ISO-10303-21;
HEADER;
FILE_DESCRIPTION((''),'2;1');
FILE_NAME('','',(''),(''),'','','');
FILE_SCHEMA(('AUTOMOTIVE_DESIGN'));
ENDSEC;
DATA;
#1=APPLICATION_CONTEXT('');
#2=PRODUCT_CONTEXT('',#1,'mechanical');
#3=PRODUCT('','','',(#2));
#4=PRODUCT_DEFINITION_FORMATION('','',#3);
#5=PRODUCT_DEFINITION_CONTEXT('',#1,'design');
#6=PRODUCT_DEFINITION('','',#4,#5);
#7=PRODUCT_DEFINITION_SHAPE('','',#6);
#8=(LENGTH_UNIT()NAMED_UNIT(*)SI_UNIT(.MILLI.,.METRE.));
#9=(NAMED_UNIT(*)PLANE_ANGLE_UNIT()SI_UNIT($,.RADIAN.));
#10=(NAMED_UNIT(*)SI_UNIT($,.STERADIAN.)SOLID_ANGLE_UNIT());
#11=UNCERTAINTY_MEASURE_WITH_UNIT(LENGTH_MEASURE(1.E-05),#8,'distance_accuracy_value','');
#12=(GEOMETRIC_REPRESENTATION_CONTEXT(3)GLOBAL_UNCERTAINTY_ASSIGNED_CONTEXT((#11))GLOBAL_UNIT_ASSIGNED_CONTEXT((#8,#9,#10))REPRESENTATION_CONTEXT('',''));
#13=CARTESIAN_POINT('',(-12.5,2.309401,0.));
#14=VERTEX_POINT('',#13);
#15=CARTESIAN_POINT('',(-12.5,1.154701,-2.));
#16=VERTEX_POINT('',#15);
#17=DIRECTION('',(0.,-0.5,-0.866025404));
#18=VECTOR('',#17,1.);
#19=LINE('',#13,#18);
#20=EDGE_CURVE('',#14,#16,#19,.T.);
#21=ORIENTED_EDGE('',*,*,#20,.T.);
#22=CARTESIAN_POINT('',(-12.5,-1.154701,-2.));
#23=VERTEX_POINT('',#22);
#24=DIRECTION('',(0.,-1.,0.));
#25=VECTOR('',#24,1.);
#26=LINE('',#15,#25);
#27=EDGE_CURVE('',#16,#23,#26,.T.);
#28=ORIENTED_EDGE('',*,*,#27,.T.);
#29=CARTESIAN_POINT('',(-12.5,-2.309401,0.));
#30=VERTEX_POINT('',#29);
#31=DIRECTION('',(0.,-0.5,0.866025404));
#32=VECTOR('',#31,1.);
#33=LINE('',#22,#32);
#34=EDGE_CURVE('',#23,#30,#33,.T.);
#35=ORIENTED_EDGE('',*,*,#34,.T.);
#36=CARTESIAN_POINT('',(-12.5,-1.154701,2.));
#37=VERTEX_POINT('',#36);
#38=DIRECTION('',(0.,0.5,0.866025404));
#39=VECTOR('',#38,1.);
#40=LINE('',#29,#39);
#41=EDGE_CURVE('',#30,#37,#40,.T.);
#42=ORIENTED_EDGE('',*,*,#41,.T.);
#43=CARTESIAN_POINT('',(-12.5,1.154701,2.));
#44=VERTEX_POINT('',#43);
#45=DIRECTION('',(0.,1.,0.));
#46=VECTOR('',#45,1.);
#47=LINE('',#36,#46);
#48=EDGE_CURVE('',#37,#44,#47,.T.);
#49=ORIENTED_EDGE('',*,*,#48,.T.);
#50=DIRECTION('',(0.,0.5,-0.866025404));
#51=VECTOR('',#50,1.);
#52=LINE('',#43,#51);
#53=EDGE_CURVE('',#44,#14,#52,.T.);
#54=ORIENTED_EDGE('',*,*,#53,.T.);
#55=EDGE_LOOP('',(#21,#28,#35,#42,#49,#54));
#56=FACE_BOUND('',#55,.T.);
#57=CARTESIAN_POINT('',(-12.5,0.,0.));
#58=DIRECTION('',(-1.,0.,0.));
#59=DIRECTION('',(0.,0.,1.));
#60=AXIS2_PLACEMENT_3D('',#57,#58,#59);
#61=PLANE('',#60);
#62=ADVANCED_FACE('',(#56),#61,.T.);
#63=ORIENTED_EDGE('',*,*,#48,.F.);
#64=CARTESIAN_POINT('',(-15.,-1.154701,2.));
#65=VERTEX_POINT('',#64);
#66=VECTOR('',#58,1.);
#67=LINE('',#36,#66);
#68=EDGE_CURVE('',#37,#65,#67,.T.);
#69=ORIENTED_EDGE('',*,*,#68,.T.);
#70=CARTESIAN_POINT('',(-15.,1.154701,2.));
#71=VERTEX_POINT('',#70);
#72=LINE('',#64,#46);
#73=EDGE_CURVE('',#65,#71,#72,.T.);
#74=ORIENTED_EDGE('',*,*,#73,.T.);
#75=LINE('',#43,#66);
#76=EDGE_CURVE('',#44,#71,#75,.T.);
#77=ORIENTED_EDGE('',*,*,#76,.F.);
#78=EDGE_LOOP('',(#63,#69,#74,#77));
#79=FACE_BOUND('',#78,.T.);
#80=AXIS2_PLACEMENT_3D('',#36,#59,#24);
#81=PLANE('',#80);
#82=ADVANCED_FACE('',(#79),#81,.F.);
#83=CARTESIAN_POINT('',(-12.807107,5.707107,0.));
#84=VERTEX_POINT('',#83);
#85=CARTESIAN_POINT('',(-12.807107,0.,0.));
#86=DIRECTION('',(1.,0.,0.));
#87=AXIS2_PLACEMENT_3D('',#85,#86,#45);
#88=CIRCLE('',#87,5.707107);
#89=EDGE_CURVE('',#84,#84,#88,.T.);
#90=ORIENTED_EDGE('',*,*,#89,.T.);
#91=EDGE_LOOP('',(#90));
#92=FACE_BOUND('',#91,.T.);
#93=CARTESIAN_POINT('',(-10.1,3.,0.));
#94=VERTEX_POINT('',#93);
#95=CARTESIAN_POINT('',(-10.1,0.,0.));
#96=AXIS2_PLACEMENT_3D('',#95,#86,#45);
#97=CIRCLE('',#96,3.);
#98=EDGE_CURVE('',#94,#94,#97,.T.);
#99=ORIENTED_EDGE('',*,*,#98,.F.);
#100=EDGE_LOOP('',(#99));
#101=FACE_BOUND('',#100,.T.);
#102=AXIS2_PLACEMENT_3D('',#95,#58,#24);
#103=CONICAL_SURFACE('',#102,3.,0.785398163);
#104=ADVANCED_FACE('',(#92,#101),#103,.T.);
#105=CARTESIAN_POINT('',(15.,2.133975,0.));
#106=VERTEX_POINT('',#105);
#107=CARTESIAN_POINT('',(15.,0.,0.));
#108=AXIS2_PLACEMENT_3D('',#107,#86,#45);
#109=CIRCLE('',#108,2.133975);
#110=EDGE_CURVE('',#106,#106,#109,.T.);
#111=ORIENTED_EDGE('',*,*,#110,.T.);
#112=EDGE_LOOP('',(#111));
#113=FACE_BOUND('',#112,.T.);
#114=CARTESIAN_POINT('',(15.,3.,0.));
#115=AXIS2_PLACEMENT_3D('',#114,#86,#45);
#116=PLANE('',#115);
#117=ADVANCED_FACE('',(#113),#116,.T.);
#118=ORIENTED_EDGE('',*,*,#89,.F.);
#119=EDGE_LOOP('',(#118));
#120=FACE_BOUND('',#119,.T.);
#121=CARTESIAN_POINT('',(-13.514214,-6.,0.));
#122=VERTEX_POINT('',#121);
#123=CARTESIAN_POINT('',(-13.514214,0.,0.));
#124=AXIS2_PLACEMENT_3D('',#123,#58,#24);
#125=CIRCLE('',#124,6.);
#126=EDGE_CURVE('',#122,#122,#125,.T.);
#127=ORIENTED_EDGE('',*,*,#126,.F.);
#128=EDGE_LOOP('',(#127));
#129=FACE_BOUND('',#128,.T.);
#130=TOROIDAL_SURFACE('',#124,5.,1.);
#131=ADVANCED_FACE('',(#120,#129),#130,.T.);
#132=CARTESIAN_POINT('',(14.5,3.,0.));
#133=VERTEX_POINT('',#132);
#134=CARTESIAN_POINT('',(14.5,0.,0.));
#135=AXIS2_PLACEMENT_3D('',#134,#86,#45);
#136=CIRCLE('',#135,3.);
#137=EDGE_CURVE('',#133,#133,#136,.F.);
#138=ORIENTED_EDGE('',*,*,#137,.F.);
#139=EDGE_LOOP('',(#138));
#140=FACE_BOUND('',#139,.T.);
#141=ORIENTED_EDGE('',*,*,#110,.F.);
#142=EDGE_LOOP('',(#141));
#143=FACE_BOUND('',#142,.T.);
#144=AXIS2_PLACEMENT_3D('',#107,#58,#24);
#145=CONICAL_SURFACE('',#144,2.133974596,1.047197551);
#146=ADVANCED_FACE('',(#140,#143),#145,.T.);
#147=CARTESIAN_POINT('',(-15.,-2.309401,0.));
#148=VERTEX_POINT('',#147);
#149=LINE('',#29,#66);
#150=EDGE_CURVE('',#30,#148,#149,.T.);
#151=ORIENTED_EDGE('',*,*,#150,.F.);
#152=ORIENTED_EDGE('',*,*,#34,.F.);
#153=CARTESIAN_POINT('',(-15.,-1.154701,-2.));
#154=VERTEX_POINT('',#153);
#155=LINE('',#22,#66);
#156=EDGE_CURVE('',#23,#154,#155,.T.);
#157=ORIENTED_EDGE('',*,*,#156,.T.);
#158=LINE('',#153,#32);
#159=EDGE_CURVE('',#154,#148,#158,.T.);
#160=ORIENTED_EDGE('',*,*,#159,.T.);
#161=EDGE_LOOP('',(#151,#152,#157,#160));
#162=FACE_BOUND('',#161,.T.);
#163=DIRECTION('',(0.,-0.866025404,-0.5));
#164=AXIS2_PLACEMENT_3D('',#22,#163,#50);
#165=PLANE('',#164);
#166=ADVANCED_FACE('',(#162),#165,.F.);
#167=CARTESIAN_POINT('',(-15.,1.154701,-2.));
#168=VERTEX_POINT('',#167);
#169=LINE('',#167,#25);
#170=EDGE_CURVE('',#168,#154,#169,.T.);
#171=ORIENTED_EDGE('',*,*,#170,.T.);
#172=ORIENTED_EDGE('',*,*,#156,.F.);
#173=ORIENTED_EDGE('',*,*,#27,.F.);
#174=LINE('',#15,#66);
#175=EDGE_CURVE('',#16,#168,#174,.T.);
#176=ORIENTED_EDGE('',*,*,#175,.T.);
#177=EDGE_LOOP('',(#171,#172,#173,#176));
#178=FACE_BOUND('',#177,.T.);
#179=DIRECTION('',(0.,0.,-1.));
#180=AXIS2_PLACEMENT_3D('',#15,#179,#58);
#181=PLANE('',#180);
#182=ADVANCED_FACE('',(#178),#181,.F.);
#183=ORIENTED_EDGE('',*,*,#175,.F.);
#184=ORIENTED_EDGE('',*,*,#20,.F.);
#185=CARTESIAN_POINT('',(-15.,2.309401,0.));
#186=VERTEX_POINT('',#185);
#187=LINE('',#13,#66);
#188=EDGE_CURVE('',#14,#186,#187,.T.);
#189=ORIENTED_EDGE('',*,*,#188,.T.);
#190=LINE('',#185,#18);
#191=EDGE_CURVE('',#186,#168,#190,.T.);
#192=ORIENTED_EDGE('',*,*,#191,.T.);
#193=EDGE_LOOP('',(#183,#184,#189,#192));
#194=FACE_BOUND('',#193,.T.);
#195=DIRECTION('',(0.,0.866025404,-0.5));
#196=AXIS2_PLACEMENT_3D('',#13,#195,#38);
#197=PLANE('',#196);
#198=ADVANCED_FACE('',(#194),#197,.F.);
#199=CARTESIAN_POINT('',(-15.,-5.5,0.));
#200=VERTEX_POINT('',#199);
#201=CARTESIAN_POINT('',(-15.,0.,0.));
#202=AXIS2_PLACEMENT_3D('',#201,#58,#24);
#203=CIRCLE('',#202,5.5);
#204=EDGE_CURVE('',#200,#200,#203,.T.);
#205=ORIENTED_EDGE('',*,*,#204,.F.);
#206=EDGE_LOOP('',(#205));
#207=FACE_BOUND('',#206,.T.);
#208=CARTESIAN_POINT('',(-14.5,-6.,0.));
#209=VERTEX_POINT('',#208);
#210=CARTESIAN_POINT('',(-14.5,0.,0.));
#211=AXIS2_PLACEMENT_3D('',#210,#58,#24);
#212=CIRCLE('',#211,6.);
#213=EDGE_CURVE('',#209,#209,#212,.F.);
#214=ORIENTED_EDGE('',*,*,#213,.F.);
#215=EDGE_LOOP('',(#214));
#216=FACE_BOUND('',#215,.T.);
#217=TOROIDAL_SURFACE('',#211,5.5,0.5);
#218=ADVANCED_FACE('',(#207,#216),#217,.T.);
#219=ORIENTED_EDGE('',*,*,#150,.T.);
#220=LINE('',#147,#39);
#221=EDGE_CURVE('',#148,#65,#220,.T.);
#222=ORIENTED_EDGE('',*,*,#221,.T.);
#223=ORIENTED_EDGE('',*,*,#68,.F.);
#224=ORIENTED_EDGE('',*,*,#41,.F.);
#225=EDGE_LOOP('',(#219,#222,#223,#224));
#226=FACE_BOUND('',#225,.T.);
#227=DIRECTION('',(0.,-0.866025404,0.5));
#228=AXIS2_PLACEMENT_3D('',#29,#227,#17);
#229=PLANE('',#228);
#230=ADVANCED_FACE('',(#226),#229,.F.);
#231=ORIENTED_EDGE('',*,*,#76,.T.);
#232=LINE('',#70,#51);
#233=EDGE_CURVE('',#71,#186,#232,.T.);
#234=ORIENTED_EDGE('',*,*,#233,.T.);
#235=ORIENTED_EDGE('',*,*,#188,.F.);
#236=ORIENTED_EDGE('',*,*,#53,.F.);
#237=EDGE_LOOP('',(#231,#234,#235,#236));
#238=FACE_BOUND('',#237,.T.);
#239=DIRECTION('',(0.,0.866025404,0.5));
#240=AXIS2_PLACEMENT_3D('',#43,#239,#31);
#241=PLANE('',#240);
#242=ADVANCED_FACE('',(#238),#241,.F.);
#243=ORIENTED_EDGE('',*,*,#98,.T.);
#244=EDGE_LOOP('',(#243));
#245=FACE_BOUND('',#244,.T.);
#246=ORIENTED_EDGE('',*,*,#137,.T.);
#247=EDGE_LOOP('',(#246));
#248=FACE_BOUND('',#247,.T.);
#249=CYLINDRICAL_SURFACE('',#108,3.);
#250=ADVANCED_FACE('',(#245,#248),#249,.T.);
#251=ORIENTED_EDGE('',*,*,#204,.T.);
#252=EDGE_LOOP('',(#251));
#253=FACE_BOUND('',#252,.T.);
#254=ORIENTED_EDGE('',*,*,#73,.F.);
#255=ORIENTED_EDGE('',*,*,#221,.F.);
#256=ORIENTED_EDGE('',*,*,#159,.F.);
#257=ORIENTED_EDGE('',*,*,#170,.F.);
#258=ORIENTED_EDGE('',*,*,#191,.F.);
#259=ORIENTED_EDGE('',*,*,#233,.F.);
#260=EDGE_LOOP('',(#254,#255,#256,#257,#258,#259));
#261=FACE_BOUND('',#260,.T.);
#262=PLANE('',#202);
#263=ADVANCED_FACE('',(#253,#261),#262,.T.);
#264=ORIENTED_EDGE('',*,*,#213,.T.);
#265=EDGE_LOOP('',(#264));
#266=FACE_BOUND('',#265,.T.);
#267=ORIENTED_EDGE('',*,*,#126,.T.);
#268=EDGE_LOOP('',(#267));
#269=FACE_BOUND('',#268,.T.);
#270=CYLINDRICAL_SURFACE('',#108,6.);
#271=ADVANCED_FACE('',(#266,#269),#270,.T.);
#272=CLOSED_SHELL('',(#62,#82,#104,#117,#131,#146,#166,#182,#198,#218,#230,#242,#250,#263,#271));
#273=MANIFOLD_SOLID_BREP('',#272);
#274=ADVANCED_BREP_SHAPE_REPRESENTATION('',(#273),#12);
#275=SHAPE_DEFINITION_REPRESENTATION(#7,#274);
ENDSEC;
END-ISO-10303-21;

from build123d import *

# Parameters (mm, degrees)
FILLET_1_R          = 0.5
FILLET_2_R          = 1
CUT_EXTRUDE_1_DEPTH = 2.5
CHAMFER_1_SIZE      = 0.5
CHAMFER_1_SIZE2     = 0.866025404


with BuildPart() as part:
    # 草图1 → 旋转1 (revolve)
    with BuildSketch(Plane.XY):
        Polygon((15, 0), (-15, 0), (-15, 6), (-13.1, 6), (-10.1, 3), (15, 3), align=None)
    revolve(axis=Axis((15, 0, 0), (-1, 0, 0)))

    # 圆角1
    fillet_1_edges = [part.edges().sort_by_distance(p)[0] for p in [
        (-15, -6, 0),
    ]]
    fillet(fillet_1_edges, radius=FILLET_1_R)

    # 圆角2
    fillet_2_edges = [part.edges().sort_by_distance(p)[0] for p in [
        (-13.1, -6, 0),
    ]]
    fillet(fillet_2_edges, radius=FILLET_2_R)

    # 草图2 → 切除-拉伸1 (cut)
    with BuildSketch(Plane.ZY.offset(15)):
        Polygon((0, 2.309401077), (-2, 1.154700538), (-2, -1.154700538), (0, -2.309401077), (2, -1.154700538), (2, 1.154700538), align=None)
    extrude(amount=-CUT_EXTRUDE_1_DEPTH, mode=Mode.SUBTRACT)

    # 倒角1
    chamfer_1_edges = [part.edges().sort_by_distance(p)[0] for p in [
        (15, -3, 0),
    ]]
    chamfer_1_side = [part.faces().sort_by_distance(p)[0] for p in [
        (2.45, -3, 0),
    ]]
    chamfer(chamfer_1_edges, length=CHAMFER_1_SIZE, length2=CHAMFER_1_SIZE2, reference=chamfer_1_side[0])


solid = part.part
